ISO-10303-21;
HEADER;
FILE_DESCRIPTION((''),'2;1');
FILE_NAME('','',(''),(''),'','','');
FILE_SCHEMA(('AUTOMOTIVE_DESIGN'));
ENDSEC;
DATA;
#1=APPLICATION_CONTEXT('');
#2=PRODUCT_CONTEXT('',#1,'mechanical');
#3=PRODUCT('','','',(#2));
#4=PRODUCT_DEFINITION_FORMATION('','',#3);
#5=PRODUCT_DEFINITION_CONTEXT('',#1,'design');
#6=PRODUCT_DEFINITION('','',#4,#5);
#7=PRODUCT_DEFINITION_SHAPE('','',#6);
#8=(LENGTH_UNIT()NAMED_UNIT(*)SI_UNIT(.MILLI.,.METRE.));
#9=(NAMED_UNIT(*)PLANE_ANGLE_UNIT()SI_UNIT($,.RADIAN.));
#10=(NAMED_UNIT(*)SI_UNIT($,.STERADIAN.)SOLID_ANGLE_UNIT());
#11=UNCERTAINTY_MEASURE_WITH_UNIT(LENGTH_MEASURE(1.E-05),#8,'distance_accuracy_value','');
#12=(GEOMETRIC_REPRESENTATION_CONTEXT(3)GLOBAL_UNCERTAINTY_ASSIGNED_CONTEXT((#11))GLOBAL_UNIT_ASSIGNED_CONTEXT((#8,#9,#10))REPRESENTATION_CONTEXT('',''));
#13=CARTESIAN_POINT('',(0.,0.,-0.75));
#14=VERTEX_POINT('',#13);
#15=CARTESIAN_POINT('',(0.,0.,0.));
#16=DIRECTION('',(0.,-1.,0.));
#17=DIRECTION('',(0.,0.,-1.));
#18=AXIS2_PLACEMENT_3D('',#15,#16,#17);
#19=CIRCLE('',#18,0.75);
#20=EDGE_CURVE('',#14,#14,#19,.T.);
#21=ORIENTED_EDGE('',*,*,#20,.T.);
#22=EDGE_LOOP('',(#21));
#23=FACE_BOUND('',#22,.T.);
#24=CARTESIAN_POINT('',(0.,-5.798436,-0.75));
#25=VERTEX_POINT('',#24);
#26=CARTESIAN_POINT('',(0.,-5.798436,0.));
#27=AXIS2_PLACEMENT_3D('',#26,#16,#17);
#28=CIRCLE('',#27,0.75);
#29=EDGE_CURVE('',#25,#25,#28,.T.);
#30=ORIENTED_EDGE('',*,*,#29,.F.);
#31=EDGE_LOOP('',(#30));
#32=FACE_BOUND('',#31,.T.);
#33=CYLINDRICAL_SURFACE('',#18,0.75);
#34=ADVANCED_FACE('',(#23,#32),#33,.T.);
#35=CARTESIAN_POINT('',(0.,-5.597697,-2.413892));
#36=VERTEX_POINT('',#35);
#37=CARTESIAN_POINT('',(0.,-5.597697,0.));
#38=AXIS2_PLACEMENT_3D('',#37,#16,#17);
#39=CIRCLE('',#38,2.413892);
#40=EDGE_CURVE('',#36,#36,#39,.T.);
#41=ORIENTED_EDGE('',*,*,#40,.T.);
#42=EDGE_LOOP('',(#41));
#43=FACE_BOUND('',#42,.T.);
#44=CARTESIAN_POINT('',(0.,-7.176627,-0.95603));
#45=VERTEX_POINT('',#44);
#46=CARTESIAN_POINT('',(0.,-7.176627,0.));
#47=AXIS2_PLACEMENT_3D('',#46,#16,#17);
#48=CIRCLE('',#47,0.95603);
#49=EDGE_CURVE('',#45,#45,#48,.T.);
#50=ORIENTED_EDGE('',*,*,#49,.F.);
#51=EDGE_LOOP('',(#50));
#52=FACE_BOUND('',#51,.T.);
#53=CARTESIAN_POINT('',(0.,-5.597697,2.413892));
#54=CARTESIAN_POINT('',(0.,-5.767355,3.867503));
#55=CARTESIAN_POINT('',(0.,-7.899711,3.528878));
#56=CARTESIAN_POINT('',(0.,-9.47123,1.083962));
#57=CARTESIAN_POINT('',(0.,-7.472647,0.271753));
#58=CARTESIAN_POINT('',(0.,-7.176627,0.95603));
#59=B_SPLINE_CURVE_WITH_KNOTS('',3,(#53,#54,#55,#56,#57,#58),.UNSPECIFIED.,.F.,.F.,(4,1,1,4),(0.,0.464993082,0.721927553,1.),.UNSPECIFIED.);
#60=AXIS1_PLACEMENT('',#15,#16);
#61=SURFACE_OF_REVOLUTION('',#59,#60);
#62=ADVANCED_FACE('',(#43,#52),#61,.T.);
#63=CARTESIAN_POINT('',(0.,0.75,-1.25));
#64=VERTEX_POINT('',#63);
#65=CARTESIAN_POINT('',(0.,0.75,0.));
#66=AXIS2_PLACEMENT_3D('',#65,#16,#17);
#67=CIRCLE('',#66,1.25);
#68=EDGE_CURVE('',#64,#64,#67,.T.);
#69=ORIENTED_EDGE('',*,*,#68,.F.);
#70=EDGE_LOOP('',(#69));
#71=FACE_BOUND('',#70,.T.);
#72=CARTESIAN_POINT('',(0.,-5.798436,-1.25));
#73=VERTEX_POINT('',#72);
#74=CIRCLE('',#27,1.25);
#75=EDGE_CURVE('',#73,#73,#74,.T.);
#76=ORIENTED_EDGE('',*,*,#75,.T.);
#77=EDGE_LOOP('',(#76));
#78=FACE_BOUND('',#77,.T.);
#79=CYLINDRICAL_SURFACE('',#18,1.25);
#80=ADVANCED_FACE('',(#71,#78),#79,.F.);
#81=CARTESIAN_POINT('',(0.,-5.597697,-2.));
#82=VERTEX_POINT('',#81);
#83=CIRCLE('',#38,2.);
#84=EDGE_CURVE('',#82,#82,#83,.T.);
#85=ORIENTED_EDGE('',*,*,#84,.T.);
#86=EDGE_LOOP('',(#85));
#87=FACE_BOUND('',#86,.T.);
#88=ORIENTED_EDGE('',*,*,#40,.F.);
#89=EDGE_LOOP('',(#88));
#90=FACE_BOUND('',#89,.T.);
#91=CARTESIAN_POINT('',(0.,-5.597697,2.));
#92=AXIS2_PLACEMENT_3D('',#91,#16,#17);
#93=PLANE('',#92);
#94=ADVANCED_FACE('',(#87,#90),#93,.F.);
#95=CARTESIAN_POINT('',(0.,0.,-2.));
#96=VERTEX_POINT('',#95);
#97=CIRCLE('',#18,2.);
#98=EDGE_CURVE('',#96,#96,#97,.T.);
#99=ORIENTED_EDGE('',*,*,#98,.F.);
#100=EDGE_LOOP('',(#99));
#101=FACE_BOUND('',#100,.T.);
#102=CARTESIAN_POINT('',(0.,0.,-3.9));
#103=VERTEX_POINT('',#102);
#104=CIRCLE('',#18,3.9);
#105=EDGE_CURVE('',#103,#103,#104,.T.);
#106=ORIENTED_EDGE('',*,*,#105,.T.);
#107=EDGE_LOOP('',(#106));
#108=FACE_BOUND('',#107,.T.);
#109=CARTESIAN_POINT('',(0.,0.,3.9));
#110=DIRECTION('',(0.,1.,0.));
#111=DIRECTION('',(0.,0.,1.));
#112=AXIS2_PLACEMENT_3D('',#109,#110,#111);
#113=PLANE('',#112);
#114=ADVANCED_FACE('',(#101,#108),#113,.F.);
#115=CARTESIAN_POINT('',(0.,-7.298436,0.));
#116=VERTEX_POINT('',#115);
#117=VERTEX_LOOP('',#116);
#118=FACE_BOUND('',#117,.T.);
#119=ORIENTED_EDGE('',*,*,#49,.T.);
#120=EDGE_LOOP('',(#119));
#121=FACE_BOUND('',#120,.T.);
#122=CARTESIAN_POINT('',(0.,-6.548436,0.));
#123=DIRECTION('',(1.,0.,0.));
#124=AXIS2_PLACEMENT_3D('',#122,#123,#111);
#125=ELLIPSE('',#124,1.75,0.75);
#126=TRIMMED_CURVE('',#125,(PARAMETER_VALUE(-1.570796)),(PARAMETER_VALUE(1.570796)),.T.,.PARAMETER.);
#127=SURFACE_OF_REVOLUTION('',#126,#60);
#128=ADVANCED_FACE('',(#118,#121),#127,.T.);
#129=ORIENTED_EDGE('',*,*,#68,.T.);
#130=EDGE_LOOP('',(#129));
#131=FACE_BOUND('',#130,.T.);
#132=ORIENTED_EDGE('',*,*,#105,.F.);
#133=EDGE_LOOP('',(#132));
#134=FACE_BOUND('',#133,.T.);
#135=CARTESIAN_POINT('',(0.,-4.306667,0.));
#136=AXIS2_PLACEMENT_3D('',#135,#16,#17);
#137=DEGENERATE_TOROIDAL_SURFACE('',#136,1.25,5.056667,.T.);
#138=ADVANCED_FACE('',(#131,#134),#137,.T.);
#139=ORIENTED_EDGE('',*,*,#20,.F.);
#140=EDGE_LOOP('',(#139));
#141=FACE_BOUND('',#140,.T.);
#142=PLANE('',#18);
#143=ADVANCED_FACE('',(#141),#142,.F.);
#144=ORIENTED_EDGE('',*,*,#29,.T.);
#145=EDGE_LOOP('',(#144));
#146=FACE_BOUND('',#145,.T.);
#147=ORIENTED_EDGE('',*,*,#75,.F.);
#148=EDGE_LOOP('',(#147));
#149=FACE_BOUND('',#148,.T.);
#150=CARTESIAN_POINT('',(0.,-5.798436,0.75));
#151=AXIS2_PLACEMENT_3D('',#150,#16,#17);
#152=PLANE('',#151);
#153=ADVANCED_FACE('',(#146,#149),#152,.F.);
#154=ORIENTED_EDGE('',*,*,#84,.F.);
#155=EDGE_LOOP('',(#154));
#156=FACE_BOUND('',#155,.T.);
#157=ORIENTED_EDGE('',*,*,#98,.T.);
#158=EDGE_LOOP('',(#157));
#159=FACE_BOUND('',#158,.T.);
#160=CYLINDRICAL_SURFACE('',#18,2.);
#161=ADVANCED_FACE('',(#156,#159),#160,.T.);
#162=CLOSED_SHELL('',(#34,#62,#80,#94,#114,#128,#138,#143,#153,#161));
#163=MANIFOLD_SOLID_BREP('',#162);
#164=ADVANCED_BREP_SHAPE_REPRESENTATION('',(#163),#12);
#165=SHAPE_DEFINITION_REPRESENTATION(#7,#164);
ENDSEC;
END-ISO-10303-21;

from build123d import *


with BuildPart() as part:
    # Szkic1 → Obrót1 (revolve)
    with BuildSketch(Plane(origin=(0, 0, 0), x_dir=(0, 0, -1), z_dir=(1, 0, 0)), mode=Mode.PRIVATE) as obr_t1_sk:
        with BuildLine():
            Line((0, 0), (0, -4.121746268))
            Line((0, -4.121746268), (0, -5.79843593))
            Line((0, -5.79843593), (0, -7.29843593))
            add(Edge.make_bspline(
                [(-0.956030427, -7.176626601), (-0.520263876, -7.29843593), (0, -7.29843593)],
                knots=[0.992852221, 0.992852221, 0.992852221, 1.570796327, 1.570796327, 1.570796327], degree=2, weights=[1, 0.958537313, 1]))
            add(Edge.make_bspline(
                [(-2.413891755, -5.597697407), (-3.867503112, -5.767354729), (-3.528877649, -7.899711034), (-1.083961642, -9.471229776), (-0.271752618, -7.472646705), (-0.956030427, -7.176626601)],
                knots=[0, 0, 0, 0, 0.464993082, 0.721927553, 1, 1, 1, 1], degree=3))
            Line((-2.413891755, -5.597697407), (-2, -5.597697407))
            Line((-2, -5.597697407), (-2, 0))
            Line((-2, 0), (-3.9, 0))
            ThreePointArc((-3.9, 0), (-2.627043935, 0.558888572), (-1.25, 0.75))
            Line((-1.25, 0.75), (-1.25, -5.79843593))
            Line((-1.25, -5.79843593), (-0.75, -5.79843593))
            Line((-0.75, -5.79843593), (-0.75, 0))
            Line((-0.75, 0), (0, 0))
        make_face()
    revolve(obr_t1_sk.sketch.rotate(Axis((0, 0, 0), (0, 1, 0)), 180), axis=Axis((0, 0, 0), (0, 1, 0)))


solid = part.part
